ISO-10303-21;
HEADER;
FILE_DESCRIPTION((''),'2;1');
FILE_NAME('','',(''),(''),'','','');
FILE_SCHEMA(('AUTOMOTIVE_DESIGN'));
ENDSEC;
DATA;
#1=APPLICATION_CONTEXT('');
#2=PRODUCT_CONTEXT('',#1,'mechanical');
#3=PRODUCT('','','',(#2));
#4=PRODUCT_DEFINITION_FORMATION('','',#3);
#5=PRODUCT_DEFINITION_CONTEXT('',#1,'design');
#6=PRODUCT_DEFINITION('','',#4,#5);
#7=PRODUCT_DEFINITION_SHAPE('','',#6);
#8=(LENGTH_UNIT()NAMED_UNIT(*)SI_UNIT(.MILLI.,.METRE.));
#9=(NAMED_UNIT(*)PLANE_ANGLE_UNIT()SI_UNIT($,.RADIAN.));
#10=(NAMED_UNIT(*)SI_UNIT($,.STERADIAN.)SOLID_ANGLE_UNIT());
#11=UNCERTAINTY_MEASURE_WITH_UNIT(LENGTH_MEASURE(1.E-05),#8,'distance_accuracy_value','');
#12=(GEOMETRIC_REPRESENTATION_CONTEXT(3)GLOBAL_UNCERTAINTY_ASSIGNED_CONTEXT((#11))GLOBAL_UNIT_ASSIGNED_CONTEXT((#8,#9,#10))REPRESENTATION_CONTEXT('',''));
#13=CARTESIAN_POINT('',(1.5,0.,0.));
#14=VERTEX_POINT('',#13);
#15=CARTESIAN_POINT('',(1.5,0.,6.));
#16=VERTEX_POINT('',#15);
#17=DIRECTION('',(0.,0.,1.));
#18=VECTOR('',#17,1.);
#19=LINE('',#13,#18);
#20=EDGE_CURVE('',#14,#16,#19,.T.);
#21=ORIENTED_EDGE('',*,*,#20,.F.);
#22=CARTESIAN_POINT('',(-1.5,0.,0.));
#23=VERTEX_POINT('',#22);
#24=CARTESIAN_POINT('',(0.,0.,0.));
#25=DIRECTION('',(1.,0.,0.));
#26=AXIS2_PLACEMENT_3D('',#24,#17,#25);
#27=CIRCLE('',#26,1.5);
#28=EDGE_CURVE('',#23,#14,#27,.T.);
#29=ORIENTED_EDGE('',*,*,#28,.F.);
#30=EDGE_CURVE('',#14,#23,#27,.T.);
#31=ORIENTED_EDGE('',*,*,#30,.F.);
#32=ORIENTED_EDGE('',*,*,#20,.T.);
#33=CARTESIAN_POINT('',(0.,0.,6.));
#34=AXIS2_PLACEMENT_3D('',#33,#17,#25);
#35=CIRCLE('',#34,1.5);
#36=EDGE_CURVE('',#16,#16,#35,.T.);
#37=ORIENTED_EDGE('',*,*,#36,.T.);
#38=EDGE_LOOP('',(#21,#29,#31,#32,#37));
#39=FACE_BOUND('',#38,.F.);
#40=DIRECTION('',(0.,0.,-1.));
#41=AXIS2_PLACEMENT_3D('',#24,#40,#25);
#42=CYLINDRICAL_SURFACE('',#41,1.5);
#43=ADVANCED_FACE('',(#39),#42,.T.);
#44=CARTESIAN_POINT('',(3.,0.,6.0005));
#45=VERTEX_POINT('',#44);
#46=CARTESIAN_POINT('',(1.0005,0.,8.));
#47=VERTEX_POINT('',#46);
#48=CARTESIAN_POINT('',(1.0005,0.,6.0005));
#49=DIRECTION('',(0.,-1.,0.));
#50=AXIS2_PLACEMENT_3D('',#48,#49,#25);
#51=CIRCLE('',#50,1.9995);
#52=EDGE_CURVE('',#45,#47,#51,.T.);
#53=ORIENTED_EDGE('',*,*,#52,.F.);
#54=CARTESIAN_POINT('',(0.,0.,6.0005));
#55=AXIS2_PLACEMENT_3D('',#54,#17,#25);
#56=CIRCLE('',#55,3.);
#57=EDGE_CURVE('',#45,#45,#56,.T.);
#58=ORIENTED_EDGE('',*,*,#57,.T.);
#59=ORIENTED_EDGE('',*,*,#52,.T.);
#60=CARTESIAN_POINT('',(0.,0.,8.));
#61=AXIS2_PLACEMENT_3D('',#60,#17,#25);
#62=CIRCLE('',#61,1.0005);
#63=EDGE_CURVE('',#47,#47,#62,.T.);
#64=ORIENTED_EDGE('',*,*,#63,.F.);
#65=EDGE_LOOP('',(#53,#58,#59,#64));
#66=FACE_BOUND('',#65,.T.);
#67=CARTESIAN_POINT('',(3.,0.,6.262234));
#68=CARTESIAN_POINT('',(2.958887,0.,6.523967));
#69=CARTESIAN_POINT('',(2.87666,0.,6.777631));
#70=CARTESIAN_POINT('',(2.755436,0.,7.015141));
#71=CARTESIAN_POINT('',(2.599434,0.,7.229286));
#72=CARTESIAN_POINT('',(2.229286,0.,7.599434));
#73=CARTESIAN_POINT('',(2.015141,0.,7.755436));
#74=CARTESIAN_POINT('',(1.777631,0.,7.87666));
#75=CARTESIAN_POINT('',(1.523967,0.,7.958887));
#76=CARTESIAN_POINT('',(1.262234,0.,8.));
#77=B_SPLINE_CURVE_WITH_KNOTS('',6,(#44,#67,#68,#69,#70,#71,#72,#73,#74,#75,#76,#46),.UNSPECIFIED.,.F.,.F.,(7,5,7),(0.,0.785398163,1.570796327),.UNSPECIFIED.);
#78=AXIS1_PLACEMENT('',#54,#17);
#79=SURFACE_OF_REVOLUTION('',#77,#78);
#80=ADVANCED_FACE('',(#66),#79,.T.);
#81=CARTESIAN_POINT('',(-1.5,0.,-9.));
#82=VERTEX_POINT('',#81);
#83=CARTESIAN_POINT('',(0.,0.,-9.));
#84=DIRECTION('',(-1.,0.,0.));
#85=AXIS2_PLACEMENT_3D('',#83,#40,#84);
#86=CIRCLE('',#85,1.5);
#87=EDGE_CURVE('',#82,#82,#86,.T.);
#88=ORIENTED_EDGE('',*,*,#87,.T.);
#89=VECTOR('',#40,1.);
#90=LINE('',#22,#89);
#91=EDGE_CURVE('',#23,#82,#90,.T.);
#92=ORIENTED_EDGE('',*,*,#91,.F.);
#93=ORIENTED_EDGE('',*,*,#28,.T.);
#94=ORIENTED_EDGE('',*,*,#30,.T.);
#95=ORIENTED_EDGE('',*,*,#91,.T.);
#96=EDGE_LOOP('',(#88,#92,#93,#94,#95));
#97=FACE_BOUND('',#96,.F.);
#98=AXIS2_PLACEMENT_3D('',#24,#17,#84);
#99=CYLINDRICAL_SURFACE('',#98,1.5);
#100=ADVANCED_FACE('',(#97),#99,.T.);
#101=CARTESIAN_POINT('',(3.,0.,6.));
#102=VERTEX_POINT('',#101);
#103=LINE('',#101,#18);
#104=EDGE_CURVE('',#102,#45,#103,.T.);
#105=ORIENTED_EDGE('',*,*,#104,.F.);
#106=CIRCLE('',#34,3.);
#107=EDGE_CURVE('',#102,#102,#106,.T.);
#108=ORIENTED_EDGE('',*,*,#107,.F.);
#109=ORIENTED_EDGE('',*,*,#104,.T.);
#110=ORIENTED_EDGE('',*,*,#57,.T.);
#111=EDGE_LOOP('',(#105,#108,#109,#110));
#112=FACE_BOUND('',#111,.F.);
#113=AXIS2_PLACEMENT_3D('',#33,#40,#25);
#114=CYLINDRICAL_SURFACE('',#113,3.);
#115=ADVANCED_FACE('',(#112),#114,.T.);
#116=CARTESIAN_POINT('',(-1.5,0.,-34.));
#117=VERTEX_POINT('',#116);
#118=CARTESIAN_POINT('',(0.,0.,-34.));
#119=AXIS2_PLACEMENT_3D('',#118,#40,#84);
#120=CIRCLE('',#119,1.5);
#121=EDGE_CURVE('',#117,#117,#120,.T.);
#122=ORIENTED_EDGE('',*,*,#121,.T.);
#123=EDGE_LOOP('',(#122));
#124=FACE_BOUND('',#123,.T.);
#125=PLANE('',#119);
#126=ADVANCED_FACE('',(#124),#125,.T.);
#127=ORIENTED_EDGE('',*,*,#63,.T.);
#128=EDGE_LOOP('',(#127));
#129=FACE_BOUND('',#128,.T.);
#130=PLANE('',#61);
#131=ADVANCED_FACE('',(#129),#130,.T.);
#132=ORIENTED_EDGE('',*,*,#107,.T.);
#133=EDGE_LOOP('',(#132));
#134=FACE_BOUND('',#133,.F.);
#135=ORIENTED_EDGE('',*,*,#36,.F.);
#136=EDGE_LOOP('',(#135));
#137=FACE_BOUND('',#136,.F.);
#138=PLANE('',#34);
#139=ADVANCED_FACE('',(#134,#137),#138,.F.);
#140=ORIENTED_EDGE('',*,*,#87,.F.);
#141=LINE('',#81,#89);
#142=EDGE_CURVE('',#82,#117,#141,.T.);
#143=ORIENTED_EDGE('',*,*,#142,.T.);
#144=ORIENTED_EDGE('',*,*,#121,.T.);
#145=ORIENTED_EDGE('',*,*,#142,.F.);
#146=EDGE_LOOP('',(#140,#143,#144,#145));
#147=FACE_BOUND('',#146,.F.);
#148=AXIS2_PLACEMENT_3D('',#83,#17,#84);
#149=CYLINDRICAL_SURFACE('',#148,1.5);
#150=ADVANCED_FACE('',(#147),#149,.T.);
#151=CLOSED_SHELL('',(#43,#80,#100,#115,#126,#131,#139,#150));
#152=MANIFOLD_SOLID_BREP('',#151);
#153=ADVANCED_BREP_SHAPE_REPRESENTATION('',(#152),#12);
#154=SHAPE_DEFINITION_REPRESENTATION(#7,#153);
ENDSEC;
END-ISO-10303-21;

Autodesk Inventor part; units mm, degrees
ref_plane "YZ Plane" through (0, 0, 0) normal (1, 0, 0) x (0, 1, 0)
ref_plane "XZ Plane" through (0, 0, 0) normal (0, 1, 0) x (-1, 0, 0)
ref_plane "XY Plane" through (0, 0, 0) normal (0, 0, 1) x (1, 0, 0)
sketch "スケッチ1" plane through (0, 0, 0) normal (0, 0, 1) x (1, 0, 0)
  circle A0 centre (0, 0) radius 1.5
  dimension "d0" = 3
extrude "押し出し1" add sketch "スケッチ1" along normal blind 6
sketch "スケッチ2" plane through (0, 0, 6) normal (0, 0, 1) x (1, 0, 0)
  circle A0 centre (0, 0) radius 1.5 projected
  circle A1 centre (0, 0) radius 3
  dimension "d3" = 6
extrude "押し出し2" add sketch "スケッチ2" along normal blind 2 contours A0 | A1
fillet "フィレット1" radius 2 1 edges at (-3, 0, 8)
thread "ねじ1" size "M3x0.5" class "6g" standard "ANSI Metric M Profile" full length
sketch "スケッチ3" plane through (0, 0, 0) normal (0, 0, -1) x (-1, 0, 0)
  circle A0 centre (0, 0) radius 1.5 projected
extrude "押し出し3" add sketch "スケッチ3" along normal blind 9
sketch "スケッチ4" plane through (0, 0, -9) normal (0, 0, -1) x (-1, 0, 0)
  circle A0 centre (0, 0) radius 1.5 projected
extrude "押し出し4" add sketch "スケッチ4" along normal blind 25
properties part number "SB　40mmなべネジ" material "Steel, Mild"
